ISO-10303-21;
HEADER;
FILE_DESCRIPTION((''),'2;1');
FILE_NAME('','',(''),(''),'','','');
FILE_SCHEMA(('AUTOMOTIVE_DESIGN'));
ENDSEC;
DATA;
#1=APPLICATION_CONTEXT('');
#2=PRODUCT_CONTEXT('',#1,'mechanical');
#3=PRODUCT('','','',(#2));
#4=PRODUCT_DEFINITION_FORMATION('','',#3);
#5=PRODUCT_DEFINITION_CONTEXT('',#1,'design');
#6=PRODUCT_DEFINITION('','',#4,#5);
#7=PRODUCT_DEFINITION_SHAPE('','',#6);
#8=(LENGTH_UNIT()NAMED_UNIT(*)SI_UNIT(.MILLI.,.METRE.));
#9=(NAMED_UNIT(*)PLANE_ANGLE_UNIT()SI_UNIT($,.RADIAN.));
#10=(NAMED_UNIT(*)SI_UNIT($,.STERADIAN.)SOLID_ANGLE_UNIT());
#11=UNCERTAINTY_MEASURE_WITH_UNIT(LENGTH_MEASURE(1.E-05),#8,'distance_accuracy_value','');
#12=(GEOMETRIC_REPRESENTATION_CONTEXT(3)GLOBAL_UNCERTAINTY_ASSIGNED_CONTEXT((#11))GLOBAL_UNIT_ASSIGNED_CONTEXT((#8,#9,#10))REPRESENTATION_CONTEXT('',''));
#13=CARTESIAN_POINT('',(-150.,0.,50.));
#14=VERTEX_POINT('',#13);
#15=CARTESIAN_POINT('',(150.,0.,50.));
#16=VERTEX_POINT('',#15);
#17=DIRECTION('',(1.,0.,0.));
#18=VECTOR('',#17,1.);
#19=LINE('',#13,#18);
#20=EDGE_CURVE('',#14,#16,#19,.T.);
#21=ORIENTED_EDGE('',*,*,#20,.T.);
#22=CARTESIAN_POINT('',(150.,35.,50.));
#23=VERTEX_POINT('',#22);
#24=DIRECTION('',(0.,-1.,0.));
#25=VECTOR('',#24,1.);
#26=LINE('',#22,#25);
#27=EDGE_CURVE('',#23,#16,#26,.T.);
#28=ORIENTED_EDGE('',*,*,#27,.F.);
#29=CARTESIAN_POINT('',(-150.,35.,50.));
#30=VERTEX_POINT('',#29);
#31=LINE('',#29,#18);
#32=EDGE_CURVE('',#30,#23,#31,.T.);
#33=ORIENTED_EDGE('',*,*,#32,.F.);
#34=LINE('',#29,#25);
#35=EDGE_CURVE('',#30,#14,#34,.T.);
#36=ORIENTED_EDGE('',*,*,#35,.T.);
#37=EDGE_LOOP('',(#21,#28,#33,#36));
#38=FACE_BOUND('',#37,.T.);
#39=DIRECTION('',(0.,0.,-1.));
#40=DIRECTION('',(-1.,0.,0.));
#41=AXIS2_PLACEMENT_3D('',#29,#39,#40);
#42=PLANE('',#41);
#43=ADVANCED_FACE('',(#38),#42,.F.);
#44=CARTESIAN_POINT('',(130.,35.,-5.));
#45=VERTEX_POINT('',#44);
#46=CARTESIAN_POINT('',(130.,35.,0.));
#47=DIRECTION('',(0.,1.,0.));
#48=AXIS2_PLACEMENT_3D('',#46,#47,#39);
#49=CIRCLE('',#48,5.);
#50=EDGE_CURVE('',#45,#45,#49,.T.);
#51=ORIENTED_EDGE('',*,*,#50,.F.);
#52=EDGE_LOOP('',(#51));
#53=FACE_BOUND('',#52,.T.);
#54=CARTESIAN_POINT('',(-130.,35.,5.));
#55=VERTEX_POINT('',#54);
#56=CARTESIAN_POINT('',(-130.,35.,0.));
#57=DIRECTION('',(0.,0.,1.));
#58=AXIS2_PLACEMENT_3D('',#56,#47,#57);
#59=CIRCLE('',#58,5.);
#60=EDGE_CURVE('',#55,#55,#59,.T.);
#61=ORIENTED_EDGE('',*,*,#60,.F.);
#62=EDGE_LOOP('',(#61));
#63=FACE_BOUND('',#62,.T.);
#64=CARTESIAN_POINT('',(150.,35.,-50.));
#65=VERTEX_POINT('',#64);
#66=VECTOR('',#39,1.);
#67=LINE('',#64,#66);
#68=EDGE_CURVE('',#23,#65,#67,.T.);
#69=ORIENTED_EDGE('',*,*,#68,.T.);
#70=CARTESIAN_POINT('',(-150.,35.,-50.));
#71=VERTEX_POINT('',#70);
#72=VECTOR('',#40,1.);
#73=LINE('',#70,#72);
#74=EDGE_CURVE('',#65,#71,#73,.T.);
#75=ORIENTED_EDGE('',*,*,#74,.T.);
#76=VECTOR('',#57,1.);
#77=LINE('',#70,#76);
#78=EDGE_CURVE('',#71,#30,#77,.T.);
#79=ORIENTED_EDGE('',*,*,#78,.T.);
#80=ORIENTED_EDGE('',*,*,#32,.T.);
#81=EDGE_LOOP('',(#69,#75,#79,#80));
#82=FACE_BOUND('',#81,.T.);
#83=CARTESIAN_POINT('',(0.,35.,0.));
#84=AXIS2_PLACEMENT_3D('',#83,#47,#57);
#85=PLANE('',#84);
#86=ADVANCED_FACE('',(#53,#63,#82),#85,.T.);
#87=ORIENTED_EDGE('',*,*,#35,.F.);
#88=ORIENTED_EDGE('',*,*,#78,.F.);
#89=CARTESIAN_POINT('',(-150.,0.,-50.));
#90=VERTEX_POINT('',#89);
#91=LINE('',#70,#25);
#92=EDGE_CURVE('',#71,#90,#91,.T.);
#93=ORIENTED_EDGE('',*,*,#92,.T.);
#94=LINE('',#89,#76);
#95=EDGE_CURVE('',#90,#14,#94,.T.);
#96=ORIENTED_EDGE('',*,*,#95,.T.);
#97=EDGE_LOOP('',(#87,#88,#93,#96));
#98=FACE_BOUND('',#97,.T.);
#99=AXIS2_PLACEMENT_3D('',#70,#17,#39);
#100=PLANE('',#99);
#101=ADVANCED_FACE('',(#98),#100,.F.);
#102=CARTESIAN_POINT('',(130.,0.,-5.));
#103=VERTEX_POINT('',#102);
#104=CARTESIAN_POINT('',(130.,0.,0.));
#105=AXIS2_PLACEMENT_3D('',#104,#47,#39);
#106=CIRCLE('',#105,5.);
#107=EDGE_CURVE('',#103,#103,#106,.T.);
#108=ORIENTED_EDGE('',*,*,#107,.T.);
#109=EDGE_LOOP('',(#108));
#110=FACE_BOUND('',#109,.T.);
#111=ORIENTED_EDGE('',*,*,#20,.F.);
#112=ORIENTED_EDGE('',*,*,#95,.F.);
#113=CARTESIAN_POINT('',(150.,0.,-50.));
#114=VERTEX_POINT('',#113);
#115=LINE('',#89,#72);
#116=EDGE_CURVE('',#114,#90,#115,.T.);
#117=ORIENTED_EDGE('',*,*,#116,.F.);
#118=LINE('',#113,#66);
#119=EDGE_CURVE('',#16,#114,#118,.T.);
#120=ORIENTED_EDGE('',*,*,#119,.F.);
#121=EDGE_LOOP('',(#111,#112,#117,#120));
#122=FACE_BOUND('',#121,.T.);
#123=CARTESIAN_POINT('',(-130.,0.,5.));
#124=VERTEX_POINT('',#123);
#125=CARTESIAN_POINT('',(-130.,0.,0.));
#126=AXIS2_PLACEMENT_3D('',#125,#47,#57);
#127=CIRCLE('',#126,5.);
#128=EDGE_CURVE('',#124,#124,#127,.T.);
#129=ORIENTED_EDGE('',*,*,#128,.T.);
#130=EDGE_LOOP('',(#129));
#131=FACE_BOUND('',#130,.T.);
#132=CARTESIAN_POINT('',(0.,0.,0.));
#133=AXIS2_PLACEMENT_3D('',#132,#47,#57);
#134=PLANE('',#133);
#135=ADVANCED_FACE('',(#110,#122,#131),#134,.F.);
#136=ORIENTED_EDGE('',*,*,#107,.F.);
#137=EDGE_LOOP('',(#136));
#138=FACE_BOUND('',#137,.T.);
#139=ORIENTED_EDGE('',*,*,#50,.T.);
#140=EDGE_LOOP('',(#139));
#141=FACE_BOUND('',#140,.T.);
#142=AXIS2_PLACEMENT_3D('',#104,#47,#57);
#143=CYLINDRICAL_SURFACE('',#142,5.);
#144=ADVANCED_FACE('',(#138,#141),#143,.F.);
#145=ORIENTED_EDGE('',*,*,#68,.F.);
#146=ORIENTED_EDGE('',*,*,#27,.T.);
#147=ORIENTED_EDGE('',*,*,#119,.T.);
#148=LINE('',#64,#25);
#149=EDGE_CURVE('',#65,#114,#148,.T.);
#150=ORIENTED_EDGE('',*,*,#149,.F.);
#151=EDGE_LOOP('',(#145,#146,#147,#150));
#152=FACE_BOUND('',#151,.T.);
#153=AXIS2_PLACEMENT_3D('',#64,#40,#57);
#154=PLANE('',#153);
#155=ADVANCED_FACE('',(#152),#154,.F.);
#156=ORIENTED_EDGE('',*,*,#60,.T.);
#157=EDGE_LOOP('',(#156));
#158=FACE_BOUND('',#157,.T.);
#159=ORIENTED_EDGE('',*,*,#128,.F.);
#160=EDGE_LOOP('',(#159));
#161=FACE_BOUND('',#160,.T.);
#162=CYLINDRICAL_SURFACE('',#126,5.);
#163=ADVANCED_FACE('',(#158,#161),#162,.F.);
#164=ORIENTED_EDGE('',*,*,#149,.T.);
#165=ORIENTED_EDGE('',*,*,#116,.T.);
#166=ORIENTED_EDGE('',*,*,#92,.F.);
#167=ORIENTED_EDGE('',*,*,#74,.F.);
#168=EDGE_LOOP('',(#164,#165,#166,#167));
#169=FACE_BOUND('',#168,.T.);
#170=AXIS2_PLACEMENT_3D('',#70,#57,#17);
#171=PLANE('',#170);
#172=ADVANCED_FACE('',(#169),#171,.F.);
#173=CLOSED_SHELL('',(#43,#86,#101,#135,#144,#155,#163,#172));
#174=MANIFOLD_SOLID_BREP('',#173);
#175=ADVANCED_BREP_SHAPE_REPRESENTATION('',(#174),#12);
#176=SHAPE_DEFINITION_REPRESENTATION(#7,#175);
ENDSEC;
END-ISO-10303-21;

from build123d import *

# Parameters (mm, degrees)
SKETCH1_W           = 300
SKETCH1_H           = 100
BOSS_EXTRUDE1_DEPTH = 35
SKETCH2_R           = 5
CUT_EXTRUDE1_DEPTH  = 162.941347407


with BuildPart() as part:
    # Sketch1 → Boss-Extrude1 (new body)
    with BuildSketch(Plane(origin=(0, 0, 0), x_dir=(1, 0, 0), z_dir=(0, 1, 0))):
        Rectangle(SKETCH1_W, SKETCH1_H)
    extrude(amount=BOSS_EXTRUDE1_DEPTH)

    # Sketch2 → Cut-Extrude1 (cut, through all)
    with BuildSketch(Plane(origin=(0, 35, 0), x_dir=(1, 0, 0), z_dir=(0, 1, 0))):
        with Locations(Location((-130, 0, 0), (0, 0, 270))):
            Circle(SKETCH2_R)
        with Locations(Location((130, 0, 0), (0, 0, 90))):
            Circle(SKETCH2_R)
    extrude(amount=-CUT_EXTRUDE1_DEPTH, mode=Mode.SUBTRACT)


solid = part.part
